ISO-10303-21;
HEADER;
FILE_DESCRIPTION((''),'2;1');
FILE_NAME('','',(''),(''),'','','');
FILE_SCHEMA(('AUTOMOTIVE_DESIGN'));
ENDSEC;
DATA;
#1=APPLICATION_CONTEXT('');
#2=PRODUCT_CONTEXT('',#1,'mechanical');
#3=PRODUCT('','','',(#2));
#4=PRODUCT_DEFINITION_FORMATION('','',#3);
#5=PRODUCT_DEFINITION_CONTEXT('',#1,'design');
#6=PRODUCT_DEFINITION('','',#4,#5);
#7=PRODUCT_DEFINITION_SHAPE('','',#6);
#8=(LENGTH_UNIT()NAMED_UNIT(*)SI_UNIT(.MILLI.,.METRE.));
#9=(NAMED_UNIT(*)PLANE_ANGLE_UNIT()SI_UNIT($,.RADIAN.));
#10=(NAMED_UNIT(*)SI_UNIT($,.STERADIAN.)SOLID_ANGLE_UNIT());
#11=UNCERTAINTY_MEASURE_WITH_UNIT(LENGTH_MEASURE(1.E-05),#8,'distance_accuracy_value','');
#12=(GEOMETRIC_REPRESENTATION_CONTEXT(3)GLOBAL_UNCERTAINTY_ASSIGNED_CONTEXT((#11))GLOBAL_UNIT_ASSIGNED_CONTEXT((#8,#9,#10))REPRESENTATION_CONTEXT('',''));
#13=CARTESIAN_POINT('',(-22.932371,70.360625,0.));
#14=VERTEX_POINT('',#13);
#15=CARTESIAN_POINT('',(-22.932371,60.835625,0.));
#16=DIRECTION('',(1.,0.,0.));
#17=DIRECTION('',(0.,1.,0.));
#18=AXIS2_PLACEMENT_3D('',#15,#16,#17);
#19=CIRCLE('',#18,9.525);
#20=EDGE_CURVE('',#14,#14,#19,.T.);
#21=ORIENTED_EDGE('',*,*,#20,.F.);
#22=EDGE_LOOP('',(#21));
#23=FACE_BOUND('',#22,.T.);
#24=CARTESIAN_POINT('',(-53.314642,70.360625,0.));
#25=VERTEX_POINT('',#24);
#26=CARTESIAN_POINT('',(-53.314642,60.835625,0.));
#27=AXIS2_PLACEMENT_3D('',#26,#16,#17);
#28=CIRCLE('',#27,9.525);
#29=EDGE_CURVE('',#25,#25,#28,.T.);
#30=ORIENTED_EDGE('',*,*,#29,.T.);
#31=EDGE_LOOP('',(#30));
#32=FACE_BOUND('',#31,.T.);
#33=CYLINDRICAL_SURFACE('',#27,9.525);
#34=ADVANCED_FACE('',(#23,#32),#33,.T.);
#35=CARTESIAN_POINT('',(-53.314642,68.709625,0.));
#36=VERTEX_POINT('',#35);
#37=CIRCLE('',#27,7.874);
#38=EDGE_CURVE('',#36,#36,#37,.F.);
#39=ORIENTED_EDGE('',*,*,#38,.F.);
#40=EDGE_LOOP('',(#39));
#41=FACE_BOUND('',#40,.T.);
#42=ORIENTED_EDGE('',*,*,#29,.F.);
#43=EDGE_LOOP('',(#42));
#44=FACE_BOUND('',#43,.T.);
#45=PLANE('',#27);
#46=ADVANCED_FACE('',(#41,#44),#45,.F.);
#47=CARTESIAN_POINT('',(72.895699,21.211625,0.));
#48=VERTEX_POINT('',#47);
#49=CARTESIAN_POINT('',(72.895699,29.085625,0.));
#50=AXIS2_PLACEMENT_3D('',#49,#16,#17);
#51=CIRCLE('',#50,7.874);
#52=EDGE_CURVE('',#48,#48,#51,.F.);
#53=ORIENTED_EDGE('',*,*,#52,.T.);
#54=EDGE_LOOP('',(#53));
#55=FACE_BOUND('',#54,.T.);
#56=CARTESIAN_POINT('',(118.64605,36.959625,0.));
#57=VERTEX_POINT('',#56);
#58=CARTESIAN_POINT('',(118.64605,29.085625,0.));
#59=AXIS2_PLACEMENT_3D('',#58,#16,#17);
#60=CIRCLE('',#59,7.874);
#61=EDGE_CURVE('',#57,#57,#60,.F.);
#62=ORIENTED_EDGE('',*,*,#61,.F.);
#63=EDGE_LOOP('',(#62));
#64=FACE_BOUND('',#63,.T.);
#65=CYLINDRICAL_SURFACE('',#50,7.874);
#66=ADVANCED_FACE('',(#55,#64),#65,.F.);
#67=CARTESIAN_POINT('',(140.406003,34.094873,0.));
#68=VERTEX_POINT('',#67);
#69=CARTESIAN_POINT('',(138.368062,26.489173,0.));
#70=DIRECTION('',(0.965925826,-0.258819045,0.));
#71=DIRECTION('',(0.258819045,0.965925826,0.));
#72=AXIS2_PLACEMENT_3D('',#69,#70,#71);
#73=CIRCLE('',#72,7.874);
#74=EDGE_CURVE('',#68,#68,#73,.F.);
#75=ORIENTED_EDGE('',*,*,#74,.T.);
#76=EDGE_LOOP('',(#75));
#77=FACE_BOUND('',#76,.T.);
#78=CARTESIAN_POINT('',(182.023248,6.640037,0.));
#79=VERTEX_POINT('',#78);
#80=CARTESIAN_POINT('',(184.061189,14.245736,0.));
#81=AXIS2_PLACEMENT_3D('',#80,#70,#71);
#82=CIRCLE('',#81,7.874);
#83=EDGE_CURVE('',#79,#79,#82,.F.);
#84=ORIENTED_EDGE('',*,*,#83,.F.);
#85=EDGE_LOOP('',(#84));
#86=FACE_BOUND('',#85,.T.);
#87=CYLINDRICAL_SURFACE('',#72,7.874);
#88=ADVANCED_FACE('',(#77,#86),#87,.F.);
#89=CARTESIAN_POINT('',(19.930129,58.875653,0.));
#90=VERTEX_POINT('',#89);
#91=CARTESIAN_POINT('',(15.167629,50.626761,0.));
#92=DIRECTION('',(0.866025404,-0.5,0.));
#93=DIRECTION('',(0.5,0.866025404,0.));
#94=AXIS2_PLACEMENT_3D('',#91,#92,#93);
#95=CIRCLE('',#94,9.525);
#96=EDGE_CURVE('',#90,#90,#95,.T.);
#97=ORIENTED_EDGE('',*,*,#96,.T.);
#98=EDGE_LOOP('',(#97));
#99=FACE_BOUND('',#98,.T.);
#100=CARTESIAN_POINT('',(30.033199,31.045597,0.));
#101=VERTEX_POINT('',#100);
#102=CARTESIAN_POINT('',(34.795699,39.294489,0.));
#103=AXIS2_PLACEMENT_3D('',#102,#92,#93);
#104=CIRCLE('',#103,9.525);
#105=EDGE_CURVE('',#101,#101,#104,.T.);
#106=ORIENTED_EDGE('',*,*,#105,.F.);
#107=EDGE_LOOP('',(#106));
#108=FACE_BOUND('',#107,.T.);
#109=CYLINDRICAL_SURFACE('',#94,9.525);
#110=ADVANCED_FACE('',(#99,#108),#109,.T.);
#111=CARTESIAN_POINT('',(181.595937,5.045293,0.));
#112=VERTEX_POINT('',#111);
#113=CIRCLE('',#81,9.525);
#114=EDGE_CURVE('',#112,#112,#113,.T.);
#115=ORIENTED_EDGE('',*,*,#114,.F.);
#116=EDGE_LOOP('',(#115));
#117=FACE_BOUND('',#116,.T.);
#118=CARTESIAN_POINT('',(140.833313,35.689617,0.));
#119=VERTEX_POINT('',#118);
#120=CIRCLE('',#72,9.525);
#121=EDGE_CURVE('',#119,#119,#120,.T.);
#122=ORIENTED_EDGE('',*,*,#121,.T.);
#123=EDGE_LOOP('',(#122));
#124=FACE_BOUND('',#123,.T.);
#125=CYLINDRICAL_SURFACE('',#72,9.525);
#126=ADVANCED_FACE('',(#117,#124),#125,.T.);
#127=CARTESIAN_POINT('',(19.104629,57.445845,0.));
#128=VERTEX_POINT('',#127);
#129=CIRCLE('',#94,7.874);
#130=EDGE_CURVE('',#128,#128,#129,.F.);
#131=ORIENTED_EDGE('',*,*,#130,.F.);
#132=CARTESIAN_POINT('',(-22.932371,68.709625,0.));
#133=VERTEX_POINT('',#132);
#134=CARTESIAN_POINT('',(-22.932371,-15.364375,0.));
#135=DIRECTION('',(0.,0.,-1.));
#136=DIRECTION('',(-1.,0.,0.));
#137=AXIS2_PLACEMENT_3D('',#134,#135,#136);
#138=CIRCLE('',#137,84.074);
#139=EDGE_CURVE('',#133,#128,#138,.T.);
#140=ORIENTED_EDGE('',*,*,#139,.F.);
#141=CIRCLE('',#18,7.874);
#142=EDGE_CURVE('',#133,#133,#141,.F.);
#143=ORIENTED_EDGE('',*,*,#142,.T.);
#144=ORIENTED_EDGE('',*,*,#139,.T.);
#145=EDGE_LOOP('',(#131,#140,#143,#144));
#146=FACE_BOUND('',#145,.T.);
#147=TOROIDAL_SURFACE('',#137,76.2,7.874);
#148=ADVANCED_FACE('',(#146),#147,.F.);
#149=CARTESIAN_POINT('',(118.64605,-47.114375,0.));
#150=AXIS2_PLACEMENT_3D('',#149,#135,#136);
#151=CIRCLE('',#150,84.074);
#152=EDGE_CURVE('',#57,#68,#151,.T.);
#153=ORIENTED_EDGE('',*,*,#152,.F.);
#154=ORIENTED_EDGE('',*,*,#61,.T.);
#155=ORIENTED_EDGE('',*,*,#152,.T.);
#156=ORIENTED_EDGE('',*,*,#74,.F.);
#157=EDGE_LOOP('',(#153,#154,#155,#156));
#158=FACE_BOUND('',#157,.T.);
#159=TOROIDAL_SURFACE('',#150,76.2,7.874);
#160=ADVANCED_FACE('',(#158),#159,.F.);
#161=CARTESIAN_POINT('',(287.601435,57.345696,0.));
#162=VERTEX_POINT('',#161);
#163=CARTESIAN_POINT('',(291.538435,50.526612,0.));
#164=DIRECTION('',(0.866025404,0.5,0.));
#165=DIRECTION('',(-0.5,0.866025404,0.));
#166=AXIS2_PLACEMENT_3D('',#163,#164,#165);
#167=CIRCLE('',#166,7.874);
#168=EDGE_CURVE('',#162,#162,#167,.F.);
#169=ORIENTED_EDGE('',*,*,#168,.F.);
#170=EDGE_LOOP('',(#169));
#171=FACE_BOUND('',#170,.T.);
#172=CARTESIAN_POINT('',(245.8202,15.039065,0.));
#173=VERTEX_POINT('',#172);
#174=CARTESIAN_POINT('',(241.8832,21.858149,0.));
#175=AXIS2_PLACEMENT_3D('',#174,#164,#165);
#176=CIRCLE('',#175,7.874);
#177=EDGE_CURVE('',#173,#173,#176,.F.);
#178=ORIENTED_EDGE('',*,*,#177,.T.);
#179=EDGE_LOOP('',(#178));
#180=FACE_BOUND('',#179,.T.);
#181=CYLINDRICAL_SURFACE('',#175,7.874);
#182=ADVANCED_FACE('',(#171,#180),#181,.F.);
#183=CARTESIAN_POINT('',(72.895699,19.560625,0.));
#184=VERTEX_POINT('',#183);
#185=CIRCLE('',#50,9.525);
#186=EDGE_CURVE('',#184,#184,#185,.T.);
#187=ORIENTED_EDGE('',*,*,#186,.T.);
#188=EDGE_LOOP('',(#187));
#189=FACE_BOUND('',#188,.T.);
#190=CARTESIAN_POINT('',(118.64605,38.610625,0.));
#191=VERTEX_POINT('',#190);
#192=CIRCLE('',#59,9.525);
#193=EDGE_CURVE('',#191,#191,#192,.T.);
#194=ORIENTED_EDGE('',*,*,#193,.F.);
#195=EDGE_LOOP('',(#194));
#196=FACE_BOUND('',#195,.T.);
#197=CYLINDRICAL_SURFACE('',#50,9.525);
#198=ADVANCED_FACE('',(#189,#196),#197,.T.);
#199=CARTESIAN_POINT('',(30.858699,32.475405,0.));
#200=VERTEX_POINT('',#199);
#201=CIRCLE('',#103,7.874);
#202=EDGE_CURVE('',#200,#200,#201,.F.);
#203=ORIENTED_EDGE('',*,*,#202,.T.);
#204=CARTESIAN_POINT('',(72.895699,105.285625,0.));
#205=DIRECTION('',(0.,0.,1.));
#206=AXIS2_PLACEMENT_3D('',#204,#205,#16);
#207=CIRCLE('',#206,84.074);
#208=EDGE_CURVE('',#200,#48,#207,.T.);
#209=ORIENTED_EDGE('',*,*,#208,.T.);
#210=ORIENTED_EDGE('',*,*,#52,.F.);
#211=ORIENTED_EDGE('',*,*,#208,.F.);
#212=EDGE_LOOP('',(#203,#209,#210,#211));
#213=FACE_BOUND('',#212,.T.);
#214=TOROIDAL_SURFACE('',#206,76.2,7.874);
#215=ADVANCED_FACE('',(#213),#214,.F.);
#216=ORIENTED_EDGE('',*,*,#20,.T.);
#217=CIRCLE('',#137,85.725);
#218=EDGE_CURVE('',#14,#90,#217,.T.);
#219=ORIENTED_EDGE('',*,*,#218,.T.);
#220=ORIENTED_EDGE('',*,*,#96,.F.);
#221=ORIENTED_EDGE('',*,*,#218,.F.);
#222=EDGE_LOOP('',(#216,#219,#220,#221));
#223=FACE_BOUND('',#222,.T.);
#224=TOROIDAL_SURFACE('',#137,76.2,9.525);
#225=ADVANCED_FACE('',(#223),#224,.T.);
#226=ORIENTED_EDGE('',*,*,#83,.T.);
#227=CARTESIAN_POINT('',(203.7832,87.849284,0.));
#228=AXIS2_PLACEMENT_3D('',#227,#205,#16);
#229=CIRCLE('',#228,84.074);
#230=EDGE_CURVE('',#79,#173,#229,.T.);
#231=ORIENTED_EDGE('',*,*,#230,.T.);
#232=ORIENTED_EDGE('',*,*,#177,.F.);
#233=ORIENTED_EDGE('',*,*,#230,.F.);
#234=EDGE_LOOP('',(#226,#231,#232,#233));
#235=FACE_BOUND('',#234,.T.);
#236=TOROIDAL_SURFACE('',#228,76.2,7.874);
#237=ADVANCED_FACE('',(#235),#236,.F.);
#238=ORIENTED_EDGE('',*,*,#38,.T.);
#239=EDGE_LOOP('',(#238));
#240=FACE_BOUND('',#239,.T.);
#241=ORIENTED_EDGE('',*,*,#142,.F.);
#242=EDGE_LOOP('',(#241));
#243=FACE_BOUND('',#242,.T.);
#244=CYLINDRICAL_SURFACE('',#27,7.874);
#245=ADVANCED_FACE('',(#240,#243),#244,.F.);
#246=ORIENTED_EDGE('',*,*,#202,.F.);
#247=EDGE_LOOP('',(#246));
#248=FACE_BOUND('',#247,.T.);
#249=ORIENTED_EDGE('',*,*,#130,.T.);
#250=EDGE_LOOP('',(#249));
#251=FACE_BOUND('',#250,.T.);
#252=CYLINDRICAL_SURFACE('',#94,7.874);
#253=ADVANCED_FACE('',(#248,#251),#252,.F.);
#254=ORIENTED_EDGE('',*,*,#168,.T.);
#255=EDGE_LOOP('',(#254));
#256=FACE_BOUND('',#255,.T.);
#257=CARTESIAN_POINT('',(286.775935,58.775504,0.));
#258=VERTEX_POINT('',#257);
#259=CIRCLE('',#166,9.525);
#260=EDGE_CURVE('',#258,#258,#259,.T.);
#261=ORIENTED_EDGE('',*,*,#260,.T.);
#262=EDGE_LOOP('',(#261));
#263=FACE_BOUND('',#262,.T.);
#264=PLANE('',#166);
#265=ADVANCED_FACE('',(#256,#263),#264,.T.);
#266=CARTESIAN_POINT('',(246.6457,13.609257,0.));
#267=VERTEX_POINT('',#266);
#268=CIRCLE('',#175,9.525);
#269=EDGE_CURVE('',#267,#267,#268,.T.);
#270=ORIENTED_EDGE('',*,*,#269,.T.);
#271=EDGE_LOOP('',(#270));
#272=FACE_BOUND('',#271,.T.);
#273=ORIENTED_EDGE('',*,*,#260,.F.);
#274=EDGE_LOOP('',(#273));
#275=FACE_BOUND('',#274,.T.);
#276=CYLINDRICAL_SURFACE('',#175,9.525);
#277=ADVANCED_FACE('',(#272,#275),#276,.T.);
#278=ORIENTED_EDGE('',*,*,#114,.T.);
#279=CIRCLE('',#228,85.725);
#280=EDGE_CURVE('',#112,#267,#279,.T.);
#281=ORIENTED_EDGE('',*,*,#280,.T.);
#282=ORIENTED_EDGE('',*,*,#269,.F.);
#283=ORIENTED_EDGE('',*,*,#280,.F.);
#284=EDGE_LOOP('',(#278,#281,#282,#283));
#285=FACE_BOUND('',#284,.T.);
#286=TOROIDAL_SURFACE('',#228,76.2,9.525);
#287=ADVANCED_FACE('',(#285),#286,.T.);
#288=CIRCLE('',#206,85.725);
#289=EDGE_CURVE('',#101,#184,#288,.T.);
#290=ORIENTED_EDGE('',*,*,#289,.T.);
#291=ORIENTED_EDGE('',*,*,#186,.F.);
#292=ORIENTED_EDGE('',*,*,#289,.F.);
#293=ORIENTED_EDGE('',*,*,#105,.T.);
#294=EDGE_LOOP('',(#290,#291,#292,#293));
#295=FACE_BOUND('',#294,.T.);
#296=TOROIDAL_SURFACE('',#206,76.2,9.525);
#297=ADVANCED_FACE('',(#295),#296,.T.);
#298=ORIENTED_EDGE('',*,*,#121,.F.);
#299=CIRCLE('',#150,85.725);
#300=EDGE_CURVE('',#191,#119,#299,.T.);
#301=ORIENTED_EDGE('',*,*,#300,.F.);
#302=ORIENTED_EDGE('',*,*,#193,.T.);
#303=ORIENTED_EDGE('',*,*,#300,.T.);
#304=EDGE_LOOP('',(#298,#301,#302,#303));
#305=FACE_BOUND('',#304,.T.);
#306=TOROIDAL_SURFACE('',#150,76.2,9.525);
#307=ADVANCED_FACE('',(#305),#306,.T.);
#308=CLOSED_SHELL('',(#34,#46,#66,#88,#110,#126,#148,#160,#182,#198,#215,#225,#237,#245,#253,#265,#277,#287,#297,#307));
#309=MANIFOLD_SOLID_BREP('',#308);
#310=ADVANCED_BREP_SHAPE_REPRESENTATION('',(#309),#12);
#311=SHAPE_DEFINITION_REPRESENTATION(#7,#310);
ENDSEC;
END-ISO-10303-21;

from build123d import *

# Parameters (mm, degrees)
SKETCH2_R   = 9.525
SKETCH2_R_2 = 7.874


with BuildPart() as part:
    # Sweep1: sweep along a path in Sketch1
    with BuildLine(Plane.XY) as sweep1_path:
        Line((-53.314642444, 60.835625073), (-22.932370908, 60.835625073))
        ThreePointArc((-22.932370908, 60.835625073), (-3.210359671, 58.239173036), (15.167629092, 50.626760841))
        Line((15.167629092, 50.626760841), (34.795699159, 39.294489304))
        ThreePointArc((34.795699159, 39.294489304), (53.173687922, 31.682077109), (72.895699159, 29.085625073))
        Line((72.895699159, 29.085625073), (118.64605038, 29.085625073))
        ThreePointArc((118.64605038, 29.085625073), (128.592146227, 28.433723509), (138.368061617, 26.489173036))
        Line((138.368061617, 26.489173036), (184.061188848, 14.245736494))
        ThreePointArc((184.061188848, 14.245736494), (213.729295932, 12.301186021), (241.883200085, 21.858148689))
        Line((241.883200085, 21.858148689), (291.53843505, 50.526611963))
    # Sketch2 → Sweep1 (sweep)
    with BuildSketch(Plane(origin=(-53.314642444, 60.835625073, 0), x_dir=(0, 0, -1), z_dir=(1, 0, 0))):
        Circle(SKETCH2_R)
        Circle(SKETCH2_R_2, mode=Mode.SUBTRACT)
    sweep(path=sweep1_path.line)


solid = part.part
